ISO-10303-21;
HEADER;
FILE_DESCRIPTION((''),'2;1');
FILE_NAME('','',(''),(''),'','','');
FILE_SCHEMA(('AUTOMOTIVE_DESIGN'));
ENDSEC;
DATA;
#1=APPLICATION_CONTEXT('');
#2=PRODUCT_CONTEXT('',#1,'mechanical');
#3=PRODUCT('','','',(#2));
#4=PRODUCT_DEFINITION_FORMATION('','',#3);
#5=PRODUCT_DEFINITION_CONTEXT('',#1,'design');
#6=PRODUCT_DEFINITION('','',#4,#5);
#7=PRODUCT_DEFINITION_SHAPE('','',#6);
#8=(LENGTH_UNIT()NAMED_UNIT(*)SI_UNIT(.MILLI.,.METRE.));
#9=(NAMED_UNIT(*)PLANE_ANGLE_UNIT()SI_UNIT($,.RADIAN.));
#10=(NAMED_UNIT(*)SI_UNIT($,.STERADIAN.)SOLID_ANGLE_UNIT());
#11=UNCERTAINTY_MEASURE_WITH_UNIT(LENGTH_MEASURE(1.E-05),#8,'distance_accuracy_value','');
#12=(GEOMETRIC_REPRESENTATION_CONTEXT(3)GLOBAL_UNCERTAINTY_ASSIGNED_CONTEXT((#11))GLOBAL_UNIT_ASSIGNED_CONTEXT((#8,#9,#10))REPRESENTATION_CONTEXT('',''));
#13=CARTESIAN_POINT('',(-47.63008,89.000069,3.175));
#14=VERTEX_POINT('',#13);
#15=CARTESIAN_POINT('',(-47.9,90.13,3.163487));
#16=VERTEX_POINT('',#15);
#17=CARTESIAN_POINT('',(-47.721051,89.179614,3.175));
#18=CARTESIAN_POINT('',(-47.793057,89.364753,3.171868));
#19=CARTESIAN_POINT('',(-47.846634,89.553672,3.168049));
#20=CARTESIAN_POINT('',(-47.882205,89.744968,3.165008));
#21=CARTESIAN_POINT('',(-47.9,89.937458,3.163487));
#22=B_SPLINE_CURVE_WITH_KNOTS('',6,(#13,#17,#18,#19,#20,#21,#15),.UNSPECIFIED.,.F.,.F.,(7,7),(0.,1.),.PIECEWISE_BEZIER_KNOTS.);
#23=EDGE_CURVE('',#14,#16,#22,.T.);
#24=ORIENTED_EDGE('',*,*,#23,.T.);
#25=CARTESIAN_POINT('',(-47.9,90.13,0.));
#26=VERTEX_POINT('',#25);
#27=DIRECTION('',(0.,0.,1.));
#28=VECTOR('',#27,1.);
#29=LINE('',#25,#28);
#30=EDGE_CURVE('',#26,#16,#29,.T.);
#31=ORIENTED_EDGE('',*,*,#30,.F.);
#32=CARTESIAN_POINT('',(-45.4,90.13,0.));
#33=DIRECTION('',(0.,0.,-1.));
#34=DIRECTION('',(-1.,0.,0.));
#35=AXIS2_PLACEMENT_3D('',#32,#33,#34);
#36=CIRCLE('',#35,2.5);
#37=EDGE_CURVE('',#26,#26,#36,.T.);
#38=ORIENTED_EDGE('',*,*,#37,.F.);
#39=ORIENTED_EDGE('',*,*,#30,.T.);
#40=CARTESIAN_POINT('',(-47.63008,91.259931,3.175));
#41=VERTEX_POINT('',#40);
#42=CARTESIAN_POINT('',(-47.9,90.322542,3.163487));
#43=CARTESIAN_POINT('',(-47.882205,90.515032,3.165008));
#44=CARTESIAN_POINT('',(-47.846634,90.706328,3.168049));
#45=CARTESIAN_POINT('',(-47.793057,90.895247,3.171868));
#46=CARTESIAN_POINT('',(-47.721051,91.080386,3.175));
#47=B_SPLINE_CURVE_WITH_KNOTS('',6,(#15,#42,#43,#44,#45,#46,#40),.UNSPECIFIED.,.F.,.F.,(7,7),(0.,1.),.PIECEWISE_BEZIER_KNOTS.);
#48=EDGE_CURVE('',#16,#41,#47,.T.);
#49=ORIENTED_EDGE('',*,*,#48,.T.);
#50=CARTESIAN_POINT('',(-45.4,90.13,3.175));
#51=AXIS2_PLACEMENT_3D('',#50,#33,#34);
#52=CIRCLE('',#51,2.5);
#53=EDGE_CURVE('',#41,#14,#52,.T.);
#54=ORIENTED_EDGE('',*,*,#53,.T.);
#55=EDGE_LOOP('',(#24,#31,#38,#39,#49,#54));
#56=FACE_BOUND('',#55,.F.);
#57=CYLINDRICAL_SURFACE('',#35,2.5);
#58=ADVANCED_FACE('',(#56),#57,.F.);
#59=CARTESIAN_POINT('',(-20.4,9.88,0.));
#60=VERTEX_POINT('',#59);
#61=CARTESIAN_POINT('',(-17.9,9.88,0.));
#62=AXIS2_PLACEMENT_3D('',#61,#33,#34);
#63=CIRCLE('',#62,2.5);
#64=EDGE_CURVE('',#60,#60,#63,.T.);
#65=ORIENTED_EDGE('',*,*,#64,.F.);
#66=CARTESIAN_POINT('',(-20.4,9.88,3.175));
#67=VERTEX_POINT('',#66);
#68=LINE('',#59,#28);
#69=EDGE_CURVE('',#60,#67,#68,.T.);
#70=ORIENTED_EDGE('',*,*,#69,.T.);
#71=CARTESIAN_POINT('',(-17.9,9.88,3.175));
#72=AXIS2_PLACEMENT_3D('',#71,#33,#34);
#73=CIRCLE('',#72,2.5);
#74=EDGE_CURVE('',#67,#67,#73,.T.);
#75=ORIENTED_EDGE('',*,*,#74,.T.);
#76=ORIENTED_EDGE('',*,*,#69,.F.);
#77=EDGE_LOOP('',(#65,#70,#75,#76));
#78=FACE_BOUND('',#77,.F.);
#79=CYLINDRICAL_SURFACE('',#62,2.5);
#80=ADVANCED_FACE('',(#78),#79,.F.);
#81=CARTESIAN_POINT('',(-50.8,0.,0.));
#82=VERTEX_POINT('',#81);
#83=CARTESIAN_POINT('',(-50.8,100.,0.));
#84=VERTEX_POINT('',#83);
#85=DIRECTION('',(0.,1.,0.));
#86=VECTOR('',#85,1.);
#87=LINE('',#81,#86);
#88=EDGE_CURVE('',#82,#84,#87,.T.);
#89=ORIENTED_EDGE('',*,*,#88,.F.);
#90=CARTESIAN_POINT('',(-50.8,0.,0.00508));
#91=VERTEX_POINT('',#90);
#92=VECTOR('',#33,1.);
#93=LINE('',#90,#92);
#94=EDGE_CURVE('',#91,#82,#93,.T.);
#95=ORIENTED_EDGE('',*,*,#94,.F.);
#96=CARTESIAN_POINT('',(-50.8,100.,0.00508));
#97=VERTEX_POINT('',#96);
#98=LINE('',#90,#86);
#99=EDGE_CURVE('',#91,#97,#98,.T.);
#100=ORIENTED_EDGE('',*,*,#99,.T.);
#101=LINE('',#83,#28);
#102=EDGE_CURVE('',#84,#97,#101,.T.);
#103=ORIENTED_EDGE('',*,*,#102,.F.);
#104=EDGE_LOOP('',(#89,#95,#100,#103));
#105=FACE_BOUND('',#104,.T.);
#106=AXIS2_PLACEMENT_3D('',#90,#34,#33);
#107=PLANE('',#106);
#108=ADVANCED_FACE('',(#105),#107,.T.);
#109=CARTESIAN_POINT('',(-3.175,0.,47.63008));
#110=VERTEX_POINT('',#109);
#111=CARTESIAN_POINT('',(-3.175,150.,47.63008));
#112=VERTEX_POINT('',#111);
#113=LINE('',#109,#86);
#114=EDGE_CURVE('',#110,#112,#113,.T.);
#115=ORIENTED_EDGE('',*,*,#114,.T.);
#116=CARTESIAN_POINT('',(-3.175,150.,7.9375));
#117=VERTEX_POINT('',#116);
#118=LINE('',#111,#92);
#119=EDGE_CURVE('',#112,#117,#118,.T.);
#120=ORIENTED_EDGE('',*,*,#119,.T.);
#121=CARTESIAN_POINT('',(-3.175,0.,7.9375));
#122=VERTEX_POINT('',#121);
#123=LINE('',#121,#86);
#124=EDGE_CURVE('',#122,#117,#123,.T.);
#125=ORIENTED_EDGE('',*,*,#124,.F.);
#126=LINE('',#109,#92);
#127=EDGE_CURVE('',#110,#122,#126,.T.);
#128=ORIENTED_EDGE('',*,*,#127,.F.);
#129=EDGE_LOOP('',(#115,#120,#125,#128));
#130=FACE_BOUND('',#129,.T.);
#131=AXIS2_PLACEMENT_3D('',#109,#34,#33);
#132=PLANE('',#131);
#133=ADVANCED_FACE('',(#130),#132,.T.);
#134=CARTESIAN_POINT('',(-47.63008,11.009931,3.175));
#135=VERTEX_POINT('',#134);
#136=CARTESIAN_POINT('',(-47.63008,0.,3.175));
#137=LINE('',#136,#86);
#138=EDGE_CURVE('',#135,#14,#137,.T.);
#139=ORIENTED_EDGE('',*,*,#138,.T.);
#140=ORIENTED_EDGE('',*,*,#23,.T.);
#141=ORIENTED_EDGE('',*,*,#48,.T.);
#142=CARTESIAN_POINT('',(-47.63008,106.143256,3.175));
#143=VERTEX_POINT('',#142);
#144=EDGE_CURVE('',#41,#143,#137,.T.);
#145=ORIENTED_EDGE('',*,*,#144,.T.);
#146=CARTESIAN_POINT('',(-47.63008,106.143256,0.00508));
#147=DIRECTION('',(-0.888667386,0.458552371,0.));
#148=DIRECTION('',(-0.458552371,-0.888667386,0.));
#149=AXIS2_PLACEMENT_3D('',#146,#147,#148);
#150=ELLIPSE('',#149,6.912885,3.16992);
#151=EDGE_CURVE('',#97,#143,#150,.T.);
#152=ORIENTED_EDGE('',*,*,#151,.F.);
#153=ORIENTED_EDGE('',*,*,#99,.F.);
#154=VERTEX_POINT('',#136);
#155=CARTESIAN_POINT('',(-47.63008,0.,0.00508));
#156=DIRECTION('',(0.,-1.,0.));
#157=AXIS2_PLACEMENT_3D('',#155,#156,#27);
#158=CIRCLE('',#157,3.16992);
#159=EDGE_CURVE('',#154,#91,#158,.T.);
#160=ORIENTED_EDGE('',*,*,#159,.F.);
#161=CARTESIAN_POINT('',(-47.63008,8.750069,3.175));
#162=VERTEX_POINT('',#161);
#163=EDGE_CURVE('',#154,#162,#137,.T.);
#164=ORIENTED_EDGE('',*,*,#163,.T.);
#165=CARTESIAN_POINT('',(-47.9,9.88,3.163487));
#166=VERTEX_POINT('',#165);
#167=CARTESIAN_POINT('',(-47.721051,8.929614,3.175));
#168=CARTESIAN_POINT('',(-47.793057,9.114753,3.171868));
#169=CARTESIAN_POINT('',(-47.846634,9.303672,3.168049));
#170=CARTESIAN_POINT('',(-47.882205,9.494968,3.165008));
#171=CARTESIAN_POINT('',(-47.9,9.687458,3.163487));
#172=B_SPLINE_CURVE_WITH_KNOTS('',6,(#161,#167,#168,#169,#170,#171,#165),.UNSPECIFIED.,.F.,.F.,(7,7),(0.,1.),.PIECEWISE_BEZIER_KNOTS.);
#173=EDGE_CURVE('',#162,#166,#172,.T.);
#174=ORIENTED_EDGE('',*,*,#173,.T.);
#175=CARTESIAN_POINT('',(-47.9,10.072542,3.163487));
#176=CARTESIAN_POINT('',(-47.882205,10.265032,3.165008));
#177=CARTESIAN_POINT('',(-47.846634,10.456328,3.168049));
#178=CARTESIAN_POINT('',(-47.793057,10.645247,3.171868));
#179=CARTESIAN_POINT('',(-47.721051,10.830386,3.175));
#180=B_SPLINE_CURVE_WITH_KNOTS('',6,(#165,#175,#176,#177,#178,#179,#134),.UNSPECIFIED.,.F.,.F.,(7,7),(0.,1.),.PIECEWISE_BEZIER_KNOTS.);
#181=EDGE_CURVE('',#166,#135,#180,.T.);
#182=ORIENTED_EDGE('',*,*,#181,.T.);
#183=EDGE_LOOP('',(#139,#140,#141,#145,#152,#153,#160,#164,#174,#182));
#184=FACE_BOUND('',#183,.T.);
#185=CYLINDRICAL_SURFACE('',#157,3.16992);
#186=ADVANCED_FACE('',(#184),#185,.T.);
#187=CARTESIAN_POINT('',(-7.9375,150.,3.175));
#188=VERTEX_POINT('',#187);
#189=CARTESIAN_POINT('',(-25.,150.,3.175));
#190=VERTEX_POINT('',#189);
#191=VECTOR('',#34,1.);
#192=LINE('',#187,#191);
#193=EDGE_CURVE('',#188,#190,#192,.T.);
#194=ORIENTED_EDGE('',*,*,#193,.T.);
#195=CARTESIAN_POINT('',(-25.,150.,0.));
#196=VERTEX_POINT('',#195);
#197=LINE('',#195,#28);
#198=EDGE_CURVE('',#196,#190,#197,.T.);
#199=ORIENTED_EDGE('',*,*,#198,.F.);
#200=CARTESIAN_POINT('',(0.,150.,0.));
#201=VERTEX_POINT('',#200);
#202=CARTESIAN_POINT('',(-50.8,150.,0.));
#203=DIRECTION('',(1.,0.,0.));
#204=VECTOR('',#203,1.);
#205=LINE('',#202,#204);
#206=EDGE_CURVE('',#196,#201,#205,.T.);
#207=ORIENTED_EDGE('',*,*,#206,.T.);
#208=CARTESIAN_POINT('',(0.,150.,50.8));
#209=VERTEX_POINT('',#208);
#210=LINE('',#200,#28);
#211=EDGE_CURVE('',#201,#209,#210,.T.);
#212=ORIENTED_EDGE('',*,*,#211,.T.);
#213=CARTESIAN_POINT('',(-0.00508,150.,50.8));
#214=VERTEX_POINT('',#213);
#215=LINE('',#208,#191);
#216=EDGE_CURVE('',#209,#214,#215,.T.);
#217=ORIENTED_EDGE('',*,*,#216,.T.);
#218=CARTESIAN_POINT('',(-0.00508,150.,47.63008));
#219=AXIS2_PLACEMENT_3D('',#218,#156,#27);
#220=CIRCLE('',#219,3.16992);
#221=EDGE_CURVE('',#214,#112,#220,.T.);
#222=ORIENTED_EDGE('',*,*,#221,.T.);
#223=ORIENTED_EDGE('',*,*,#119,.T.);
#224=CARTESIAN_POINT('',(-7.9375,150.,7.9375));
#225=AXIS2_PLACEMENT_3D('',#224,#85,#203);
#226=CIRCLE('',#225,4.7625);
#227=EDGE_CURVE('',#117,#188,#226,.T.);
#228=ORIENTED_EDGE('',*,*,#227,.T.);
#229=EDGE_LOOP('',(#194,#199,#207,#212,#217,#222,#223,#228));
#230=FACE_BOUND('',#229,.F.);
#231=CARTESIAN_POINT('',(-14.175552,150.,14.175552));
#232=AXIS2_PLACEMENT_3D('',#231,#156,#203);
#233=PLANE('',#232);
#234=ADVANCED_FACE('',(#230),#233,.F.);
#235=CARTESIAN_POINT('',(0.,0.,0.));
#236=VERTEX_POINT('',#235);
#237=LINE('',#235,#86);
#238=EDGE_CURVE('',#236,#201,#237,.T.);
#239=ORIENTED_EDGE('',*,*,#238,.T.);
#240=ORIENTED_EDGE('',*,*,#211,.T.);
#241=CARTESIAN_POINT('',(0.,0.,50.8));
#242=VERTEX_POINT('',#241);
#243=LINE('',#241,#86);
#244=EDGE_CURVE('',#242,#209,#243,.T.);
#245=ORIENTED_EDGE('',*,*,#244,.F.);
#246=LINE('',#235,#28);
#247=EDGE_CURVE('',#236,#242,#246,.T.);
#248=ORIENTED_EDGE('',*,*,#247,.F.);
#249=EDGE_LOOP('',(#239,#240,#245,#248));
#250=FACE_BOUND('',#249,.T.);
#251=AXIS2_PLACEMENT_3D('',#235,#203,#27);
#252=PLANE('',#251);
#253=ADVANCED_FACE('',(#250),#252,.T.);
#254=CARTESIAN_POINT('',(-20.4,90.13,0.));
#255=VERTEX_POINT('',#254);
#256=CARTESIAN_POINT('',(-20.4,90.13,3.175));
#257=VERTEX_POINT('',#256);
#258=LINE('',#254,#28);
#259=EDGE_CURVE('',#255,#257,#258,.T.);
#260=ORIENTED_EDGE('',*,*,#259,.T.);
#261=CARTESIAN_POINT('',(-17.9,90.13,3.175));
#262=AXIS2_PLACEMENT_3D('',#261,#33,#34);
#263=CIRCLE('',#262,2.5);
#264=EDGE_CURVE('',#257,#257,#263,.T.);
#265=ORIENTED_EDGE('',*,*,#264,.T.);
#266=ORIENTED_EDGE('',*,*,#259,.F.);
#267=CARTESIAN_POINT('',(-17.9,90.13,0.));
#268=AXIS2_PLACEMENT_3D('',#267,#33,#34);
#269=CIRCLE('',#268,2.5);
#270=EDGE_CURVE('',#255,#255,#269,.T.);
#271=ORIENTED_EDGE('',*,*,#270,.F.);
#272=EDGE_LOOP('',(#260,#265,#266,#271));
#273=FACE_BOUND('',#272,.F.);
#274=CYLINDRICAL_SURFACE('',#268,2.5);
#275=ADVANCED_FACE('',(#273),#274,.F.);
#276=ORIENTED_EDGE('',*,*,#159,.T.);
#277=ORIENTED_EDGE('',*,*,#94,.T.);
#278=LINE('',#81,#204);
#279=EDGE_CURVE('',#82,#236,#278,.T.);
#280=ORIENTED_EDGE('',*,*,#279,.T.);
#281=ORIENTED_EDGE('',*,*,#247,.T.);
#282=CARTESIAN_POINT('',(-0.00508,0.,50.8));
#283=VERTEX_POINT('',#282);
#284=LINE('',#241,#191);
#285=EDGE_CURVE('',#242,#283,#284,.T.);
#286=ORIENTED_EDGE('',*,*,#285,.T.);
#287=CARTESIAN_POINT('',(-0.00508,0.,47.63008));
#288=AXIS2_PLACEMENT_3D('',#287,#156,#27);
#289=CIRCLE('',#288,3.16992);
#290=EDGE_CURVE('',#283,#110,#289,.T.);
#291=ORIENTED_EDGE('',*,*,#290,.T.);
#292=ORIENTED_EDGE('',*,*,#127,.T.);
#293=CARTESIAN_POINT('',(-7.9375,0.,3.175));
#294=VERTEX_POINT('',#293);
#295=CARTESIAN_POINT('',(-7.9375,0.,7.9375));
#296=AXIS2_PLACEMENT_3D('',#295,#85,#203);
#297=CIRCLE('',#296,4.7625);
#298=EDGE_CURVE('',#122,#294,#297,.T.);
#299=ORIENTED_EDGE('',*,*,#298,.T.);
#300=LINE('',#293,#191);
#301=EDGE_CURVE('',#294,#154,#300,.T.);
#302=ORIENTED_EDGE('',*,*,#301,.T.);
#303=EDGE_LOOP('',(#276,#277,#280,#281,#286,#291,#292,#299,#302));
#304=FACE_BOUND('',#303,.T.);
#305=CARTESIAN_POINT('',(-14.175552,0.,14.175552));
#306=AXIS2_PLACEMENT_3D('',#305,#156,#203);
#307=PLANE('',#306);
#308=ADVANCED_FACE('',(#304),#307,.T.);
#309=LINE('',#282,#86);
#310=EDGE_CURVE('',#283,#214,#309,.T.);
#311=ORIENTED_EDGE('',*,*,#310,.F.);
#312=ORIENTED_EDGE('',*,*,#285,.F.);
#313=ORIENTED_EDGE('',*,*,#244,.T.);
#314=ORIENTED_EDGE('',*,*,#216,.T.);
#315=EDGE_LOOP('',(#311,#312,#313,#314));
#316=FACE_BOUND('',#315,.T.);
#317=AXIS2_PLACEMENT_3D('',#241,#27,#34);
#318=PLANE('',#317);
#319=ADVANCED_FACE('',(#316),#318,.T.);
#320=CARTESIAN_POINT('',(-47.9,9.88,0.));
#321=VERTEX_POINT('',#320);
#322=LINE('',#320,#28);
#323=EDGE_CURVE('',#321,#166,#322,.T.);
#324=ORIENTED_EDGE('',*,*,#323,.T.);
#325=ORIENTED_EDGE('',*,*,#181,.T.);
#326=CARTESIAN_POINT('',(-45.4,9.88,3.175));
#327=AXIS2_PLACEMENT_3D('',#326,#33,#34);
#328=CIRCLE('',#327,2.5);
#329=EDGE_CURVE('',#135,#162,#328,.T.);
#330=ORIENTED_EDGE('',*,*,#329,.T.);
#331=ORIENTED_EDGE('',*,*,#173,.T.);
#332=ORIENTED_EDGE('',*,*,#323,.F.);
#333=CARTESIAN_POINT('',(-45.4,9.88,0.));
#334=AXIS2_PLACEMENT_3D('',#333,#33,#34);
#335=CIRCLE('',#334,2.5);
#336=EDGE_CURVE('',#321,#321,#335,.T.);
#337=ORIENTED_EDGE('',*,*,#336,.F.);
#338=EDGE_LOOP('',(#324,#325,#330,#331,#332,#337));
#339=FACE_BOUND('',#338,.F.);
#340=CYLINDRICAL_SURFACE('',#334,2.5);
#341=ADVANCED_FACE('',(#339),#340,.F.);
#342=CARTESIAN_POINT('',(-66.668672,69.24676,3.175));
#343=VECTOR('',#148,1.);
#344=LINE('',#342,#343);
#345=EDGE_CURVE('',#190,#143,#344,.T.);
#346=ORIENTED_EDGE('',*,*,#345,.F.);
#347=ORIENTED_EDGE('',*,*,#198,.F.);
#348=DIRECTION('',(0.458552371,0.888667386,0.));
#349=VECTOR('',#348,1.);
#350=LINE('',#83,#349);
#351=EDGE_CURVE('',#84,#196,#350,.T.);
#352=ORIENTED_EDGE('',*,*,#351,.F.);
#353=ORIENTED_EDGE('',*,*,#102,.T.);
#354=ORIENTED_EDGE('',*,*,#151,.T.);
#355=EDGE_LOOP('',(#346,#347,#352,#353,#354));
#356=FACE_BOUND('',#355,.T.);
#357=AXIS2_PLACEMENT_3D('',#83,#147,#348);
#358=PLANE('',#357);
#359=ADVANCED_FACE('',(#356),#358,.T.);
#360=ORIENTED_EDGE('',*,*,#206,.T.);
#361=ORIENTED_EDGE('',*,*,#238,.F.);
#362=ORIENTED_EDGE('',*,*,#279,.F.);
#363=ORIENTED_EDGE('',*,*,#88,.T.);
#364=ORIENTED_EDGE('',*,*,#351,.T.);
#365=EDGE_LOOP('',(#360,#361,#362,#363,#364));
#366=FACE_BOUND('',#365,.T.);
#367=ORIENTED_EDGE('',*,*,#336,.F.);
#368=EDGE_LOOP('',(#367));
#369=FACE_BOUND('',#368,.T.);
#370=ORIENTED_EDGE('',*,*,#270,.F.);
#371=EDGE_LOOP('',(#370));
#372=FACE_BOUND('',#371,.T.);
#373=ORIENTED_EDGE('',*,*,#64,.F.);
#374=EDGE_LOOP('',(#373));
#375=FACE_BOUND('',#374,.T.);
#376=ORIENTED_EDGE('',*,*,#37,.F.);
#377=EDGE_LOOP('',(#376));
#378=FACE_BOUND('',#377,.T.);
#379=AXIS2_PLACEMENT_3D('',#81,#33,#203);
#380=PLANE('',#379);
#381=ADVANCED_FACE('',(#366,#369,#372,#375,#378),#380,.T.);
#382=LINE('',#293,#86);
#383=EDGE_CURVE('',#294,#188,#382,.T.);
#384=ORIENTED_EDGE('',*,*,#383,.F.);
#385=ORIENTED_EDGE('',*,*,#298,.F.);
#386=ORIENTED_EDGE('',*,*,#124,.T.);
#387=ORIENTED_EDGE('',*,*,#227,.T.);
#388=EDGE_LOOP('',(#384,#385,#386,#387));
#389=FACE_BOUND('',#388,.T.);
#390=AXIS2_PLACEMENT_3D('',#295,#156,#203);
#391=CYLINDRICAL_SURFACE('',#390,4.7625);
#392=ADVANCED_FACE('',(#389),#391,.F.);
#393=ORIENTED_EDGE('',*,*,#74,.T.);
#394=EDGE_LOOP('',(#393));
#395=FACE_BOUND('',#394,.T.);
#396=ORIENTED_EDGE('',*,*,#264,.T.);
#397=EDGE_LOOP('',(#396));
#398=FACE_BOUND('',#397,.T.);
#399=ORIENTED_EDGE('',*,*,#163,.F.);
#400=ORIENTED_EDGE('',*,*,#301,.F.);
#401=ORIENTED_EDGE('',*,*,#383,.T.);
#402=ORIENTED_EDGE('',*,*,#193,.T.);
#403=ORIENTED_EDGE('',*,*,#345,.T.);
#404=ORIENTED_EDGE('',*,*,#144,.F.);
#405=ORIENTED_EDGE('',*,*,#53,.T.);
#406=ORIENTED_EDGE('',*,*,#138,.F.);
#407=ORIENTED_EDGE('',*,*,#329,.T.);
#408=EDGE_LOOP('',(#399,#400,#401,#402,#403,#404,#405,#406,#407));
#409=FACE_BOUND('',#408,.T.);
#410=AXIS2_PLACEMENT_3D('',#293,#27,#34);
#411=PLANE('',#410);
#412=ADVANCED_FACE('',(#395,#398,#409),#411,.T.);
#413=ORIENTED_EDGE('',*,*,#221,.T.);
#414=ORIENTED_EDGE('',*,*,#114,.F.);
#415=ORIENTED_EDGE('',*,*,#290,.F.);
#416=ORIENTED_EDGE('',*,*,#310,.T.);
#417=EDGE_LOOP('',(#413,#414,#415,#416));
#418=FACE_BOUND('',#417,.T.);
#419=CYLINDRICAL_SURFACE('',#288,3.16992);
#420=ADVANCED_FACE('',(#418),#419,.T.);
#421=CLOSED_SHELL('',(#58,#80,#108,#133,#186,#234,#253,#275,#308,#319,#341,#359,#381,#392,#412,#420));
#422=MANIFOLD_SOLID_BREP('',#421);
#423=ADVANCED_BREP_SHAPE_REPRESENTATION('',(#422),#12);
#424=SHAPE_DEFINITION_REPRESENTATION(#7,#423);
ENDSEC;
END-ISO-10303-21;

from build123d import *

# Parameters (mm, degrees)
HIERRO_ANGULAR_2_X_2_X_0_125_1_DEPTH = 150
CORTAR_EXTRUIR1_DEPTH                = 10
CORTAR_EXTRUIR2_REACH                = 168.317
CROQUIS4_R                           = 2.5


with BuildPart() as part:
    # Sketch1 → Hierro angular 2 X 2 X 0.125(1) (new body)
    with BuildSketch(Plane(origin=(0, 0, 0), x_dir=(-1, 0, 0), z_dir=(0, 1, 0))):
        with BuildLine():
            Line((0, 0), (0, 50.8))
            Line((0, 50.8), (0.00508, 50.8))
            ThreePointArc((0.00508, 50.8), (2.246551928, 49.871551928), (3.175, 47.63008))
            Line((3.175, 47.63008), (3.175, 7.9375))
            ThreePointArc((3.175, 7.9375), (4.569903955, 4.569903955), (7.9375, 3.175))
            Line((7.9375, 3.175), (47.63008, 3.175))
            ThreePointArc((47.63008, 3.175), (49.871551928, 2.246551928), (50.8, 0.00508))
            Line((50.8, 0.00508), (50.8, 0))
            Line((50.8, 0), (0, 0))
        make_face()
    extrude(amount=HIERRO_ANGULAR_2_X_2_X_0_125_1_DEPTH)

    # Croquis3 → Cortar-Extruir1 (cut)
    with BuildSketch(Plane(origin=(0, 0, 0), x_dir=(-1, 0, 0), z_dir=(0, 0, -1))):
        Polygon((50.8, 100), (25, 150), (50.8, 150), align=None)
    extrude(amount=-CORTAR_EXTRUIR1_DEPTH, mode=Mode.SUBTRACT)

    # Cortar-Extruir2: up to this face of the body (flat: up to its plane)
    cortar_extruir2_end = Plane(part.part.faces().sort_by_distance((-26.665136317, 69.509801857, 3.175))[0])
    # Croquis4 → Cortar-Extruir2 (cut, up to the picked face)
    with BuildSketch(Plane(origin=(0, 0, 0), x_dir=(-1, 0, 0), z_dir=(0, 0, -1)), mode=Mode.PRIVATE) as cortar_extruir2_sk1:
        with Locations((45.4, 9.88)):
            Circle(CROQUIS4_R)
    cortar_extruir2_tool1 = split(extrude(cortar_extruir2_sk1.sketch, amount=-CORTAR_EXTRUIR2_REACH, mode=Mode.PRIVATE), bisect_by=cortar_extruir2_end, keep=Keep.BOTH, mode=Mode.PRIVATE)
    # Croquis4 → Cortar-Extruir2 (cut, up to the picked face)
    with BuildSketch(Plane(origin=(0, 0, 0), x_dir=(-1, 0, 0), z_dir=(0, 0, -1)), mode=Mode.PRIVATE) as cortar_extruir2_sk2:
        with Locations((17.9, 9.88)):
            Circle(CROQUIS4_R)
    cortar_extruir2_tool2 = split(extrude(cortar_extruir2_sk2.sketch, amount=-CORTAR_EXTRUIR2_REACH, mode=Mode.PRIVATE), bisect_by=cortar_extruir2_end, keep=Keep.BOTH, mode=Mode.PRIVATE)
    # Croquis4 → Cortar-Extruir2 (cut, up to the picked face)
    with BuildSketch(Plane(origin=(0, 0, 0), x_dir=(-1, 0, 0), z_dir=(0, 0, -1)), mode=Mode.PRIVATE) as cortar_extruir2_sk3:
        with Locations((45.4, 90.13)):
            Circle(CROQUIS4_R)
    cortar_extruir2_tool3 = split(extrude(cortar_extruir2_sk3.sketch, amount=-CORTAR_EXTRUIR2_REACH, mode=Mode.PRIVATE), bisect_by=cortar_extruir2_end, keep=Keep.BOTH, mode=Mode.PRIVATE)
    # Croquis4 → Cortar-Extruir2 (cut, up to the picked face)
    with BuildSketch(Plane(origin=(0, 0, 0), x_dir=(-1, 0, 0), z_dir=(0, 0, -1)), mode=Mode.PRIVATE) as cortar_extruir2_sk4:
        with Locations((17.9, 90.13)):
            Circle(CROQUIS4_R)
    cortar_extruir2_tool4 = split(extrude(cortar_extruir2_sk4.sketch, amount=-CORTAR_EXTRUIR2_REACH, mode=Mode.PRIVATE), bisect_by=cortar_extruir2_end, keep=Keep.BOTH, mode=Mode.PRIVATE)
    add(cortar_extruir2_tool1.solids().sort_by(Axis((-45.4, 9.88, 0), (0, 0, 1)))[0], mode=Mode.SUBTRACT)
    add(cortar_extruir2_tool2.solids().sort_by(Axis((-17.9, 9.88, 0), (0, 0, 1)))[0], mode=Mode.SUBTRACT)
    add(cortar_extruir2_tool3.solids().sort_by(Axis((-45.4, 90.13, 0), (0, 0, 1)))[0], mode=Mode.SUBTRACT)
    add(cortar_extruir2_tool4.solids().sort_by(Axis((-17.9, 90.13, 0), (0, 0, 1)))[0], mode=Mode.SUBTRACT)


solid = part.part
